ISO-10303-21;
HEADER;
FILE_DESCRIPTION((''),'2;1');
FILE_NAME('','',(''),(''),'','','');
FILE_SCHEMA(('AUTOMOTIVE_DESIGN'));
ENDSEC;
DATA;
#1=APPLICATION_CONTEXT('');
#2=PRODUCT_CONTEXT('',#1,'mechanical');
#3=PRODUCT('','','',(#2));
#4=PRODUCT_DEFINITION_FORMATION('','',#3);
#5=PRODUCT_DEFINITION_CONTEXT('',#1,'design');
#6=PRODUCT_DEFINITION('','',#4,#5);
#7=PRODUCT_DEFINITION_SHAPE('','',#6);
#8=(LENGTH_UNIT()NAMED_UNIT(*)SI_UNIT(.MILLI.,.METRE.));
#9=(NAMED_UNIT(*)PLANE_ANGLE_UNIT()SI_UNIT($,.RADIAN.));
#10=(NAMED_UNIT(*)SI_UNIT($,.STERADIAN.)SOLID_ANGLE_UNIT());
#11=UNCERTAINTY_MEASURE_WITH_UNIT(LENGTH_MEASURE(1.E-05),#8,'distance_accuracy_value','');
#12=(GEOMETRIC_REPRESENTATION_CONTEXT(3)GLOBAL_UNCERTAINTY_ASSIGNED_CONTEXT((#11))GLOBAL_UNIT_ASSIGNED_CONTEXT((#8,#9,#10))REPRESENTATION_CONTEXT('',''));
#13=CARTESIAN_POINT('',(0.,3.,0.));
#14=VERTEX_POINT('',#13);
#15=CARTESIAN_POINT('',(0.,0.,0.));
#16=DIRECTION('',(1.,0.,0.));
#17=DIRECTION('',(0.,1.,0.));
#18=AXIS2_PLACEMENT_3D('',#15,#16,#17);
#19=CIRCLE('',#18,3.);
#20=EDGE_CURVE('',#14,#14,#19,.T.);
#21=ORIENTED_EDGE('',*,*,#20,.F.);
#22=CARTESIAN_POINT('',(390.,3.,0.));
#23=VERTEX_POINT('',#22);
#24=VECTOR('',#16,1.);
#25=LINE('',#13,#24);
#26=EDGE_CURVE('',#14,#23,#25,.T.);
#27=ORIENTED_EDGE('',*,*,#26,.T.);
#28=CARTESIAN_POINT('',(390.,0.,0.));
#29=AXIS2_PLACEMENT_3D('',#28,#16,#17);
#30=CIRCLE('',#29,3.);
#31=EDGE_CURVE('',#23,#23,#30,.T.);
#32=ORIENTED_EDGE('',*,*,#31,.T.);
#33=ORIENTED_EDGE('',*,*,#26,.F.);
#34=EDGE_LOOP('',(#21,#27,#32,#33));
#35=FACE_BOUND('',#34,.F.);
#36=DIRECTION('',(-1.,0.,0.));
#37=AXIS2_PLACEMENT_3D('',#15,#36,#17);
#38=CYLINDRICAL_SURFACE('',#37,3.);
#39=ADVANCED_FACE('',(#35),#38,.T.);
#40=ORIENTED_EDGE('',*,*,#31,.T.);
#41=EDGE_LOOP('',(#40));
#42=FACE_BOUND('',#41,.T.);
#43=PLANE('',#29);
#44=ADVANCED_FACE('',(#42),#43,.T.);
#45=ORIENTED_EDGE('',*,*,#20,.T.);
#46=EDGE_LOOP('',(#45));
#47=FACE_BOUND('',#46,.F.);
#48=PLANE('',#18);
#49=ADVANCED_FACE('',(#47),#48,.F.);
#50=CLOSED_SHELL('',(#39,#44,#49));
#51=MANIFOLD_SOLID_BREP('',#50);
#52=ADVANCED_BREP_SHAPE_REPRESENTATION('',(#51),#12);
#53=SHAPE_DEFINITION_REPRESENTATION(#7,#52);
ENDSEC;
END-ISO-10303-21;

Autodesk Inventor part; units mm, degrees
ref_plane "YZ Plane" through (0, 0, 0) normal (1, 0, 0) x (0, 1, 0)
ref_plane "XZ Plane" through (0, 0, 0) normal (0, 1, 0) x (-1, 0, 0)
ref_plane "XY Plane" through (0, 0, 0) normal (0, 0, 1) x (1, 0, 0)
sketch "Эскиз1" plane through (0, 0, 0) normal (1, 0, 0) x (0, 1, 0)
  circle A0 centre (0, 0) radius 3
  dimension "d0" = 6
extrude "Выдавливание1" add sketch "Эскиз1" along normal blind 390
properties part number "вал кб"
